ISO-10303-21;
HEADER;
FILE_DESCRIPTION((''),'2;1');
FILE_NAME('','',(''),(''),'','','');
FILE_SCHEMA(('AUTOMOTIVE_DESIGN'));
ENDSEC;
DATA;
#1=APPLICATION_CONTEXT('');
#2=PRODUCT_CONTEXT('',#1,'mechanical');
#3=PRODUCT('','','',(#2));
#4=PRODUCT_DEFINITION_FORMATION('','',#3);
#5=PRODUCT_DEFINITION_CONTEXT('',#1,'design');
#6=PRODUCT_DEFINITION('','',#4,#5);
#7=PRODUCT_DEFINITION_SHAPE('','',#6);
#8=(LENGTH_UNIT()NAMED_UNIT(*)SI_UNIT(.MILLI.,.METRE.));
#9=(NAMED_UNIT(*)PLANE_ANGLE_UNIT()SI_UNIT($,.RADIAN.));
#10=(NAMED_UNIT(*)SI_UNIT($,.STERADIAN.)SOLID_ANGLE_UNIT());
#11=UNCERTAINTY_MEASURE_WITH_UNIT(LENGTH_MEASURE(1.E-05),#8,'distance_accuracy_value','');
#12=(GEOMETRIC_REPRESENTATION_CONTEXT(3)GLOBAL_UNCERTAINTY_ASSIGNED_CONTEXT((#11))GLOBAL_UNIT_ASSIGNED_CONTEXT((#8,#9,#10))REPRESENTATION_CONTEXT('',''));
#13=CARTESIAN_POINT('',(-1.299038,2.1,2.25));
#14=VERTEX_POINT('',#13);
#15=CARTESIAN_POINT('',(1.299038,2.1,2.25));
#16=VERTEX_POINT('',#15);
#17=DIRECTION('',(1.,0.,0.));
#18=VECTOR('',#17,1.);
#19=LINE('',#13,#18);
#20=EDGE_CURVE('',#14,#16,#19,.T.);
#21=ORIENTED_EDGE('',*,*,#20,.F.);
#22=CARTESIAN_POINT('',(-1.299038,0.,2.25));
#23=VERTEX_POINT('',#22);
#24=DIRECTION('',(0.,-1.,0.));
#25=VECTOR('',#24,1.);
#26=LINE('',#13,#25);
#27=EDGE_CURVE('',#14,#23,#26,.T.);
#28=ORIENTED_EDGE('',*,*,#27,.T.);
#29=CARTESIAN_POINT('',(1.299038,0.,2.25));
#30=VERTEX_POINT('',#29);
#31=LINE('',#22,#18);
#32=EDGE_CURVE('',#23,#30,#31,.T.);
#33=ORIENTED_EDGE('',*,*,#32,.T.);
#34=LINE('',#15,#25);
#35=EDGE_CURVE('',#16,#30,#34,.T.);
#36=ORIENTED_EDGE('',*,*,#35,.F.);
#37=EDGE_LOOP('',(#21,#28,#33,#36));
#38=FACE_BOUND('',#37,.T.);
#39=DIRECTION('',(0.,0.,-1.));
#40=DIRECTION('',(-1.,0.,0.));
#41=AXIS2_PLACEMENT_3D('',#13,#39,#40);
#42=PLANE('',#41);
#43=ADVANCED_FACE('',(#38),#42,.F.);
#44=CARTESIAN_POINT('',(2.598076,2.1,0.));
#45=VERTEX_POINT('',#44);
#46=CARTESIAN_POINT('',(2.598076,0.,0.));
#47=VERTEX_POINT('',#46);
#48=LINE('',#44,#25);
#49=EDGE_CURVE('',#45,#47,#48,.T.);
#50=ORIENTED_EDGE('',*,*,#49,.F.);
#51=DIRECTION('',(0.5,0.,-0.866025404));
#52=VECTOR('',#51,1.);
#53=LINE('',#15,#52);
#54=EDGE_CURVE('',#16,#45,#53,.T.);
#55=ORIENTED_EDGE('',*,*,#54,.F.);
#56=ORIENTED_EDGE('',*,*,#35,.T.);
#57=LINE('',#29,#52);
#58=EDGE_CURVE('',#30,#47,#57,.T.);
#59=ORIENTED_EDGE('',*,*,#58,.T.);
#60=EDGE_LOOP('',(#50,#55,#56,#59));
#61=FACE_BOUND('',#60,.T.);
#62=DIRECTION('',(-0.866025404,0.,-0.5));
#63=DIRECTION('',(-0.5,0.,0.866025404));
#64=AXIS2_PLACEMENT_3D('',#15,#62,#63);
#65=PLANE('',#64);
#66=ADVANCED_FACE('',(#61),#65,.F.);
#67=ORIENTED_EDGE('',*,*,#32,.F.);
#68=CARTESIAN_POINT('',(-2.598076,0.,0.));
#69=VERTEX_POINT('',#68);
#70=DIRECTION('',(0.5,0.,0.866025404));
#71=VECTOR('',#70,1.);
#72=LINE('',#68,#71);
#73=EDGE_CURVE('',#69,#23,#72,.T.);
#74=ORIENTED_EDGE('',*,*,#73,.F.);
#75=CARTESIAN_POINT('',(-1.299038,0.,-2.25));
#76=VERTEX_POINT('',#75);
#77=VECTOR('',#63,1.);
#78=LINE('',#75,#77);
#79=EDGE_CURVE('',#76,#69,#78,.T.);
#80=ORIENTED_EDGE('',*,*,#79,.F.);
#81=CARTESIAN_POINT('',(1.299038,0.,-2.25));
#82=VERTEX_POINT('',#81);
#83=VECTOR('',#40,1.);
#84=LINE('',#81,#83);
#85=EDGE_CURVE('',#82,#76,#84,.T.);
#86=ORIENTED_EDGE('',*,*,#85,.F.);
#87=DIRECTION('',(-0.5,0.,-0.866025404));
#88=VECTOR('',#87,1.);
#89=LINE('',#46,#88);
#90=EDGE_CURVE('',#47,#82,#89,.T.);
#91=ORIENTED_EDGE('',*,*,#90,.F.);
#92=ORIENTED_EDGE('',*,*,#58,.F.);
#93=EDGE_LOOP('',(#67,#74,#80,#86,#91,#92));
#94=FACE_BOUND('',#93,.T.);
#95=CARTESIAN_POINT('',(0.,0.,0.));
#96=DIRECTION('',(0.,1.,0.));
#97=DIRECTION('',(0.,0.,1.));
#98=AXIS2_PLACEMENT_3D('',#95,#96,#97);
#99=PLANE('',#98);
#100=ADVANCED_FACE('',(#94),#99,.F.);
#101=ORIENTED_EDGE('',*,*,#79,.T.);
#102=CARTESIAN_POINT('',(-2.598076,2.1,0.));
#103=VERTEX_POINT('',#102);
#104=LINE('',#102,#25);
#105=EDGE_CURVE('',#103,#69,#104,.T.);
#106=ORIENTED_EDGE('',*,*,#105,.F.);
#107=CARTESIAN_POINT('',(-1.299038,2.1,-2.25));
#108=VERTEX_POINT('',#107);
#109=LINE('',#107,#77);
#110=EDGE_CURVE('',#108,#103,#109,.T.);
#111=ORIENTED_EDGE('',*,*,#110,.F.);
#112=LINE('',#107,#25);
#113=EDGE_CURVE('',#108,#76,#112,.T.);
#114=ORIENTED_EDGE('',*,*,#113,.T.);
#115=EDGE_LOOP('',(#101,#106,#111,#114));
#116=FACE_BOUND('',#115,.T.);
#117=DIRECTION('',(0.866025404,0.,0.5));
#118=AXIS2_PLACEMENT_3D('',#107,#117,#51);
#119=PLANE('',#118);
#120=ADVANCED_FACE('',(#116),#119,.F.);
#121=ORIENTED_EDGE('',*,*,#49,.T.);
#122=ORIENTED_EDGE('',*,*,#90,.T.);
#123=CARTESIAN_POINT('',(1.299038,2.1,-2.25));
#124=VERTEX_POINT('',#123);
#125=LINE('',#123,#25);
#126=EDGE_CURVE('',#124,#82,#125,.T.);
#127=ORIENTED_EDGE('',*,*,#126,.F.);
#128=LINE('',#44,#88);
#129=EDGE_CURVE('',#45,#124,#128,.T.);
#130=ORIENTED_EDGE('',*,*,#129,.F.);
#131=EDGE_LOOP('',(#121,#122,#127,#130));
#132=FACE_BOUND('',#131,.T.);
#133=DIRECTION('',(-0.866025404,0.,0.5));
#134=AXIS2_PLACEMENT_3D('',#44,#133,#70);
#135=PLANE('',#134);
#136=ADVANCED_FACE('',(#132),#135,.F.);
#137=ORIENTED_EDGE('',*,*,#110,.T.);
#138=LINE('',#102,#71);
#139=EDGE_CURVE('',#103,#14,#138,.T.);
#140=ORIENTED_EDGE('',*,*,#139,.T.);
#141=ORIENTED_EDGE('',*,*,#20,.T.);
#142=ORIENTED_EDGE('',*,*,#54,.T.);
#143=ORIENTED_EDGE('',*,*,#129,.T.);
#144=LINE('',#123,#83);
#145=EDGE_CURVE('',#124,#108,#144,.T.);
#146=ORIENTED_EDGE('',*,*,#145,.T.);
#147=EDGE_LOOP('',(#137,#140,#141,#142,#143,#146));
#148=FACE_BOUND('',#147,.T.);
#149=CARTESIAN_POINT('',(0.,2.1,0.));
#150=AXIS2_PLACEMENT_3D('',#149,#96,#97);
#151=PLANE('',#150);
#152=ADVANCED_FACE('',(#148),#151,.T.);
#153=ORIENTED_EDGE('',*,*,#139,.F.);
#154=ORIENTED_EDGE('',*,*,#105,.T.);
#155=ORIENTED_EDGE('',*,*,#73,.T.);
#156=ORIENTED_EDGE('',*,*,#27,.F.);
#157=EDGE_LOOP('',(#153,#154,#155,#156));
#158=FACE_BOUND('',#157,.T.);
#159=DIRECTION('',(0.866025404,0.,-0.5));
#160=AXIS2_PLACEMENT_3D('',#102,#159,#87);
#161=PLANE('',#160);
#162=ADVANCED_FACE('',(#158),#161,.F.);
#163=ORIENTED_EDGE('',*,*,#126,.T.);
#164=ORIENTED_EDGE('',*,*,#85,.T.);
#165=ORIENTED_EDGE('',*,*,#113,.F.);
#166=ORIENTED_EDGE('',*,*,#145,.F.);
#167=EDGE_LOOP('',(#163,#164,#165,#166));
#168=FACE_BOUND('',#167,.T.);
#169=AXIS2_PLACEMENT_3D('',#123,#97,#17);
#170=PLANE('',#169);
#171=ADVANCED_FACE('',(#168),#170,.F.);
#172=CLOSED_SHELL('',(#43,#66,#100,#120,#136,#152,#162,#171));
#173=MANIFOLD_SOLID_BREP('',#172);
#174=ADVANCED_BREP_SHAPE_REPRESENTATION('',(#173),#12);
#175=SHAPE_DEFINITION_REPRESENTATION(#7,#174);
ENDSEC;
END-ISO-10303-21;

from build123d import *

# Parameters (mm, degrees)
BOSS_EXTRUDE1_DEPTH = 2.1


with BuildPart() as part:
    # Sketch1 → Boss-Extrude1 (new body)
    with BuildSketch(Plane(origin=(0, 0, 0), x_dir=(1, 0, 0), z_dir=(0, 1, 0))):
        Polygon((2.59807621, 0), (1.299038105, 2.249999999), (-1.299038105, 2.249999999), (-2.59807621, 0), (-1.299038105, -2.249999999), (1.299038105, -2.249999999), align=None)
    extrude(amount=BOSS_EXTRUDE1_DEPTH)


solid = part.part
